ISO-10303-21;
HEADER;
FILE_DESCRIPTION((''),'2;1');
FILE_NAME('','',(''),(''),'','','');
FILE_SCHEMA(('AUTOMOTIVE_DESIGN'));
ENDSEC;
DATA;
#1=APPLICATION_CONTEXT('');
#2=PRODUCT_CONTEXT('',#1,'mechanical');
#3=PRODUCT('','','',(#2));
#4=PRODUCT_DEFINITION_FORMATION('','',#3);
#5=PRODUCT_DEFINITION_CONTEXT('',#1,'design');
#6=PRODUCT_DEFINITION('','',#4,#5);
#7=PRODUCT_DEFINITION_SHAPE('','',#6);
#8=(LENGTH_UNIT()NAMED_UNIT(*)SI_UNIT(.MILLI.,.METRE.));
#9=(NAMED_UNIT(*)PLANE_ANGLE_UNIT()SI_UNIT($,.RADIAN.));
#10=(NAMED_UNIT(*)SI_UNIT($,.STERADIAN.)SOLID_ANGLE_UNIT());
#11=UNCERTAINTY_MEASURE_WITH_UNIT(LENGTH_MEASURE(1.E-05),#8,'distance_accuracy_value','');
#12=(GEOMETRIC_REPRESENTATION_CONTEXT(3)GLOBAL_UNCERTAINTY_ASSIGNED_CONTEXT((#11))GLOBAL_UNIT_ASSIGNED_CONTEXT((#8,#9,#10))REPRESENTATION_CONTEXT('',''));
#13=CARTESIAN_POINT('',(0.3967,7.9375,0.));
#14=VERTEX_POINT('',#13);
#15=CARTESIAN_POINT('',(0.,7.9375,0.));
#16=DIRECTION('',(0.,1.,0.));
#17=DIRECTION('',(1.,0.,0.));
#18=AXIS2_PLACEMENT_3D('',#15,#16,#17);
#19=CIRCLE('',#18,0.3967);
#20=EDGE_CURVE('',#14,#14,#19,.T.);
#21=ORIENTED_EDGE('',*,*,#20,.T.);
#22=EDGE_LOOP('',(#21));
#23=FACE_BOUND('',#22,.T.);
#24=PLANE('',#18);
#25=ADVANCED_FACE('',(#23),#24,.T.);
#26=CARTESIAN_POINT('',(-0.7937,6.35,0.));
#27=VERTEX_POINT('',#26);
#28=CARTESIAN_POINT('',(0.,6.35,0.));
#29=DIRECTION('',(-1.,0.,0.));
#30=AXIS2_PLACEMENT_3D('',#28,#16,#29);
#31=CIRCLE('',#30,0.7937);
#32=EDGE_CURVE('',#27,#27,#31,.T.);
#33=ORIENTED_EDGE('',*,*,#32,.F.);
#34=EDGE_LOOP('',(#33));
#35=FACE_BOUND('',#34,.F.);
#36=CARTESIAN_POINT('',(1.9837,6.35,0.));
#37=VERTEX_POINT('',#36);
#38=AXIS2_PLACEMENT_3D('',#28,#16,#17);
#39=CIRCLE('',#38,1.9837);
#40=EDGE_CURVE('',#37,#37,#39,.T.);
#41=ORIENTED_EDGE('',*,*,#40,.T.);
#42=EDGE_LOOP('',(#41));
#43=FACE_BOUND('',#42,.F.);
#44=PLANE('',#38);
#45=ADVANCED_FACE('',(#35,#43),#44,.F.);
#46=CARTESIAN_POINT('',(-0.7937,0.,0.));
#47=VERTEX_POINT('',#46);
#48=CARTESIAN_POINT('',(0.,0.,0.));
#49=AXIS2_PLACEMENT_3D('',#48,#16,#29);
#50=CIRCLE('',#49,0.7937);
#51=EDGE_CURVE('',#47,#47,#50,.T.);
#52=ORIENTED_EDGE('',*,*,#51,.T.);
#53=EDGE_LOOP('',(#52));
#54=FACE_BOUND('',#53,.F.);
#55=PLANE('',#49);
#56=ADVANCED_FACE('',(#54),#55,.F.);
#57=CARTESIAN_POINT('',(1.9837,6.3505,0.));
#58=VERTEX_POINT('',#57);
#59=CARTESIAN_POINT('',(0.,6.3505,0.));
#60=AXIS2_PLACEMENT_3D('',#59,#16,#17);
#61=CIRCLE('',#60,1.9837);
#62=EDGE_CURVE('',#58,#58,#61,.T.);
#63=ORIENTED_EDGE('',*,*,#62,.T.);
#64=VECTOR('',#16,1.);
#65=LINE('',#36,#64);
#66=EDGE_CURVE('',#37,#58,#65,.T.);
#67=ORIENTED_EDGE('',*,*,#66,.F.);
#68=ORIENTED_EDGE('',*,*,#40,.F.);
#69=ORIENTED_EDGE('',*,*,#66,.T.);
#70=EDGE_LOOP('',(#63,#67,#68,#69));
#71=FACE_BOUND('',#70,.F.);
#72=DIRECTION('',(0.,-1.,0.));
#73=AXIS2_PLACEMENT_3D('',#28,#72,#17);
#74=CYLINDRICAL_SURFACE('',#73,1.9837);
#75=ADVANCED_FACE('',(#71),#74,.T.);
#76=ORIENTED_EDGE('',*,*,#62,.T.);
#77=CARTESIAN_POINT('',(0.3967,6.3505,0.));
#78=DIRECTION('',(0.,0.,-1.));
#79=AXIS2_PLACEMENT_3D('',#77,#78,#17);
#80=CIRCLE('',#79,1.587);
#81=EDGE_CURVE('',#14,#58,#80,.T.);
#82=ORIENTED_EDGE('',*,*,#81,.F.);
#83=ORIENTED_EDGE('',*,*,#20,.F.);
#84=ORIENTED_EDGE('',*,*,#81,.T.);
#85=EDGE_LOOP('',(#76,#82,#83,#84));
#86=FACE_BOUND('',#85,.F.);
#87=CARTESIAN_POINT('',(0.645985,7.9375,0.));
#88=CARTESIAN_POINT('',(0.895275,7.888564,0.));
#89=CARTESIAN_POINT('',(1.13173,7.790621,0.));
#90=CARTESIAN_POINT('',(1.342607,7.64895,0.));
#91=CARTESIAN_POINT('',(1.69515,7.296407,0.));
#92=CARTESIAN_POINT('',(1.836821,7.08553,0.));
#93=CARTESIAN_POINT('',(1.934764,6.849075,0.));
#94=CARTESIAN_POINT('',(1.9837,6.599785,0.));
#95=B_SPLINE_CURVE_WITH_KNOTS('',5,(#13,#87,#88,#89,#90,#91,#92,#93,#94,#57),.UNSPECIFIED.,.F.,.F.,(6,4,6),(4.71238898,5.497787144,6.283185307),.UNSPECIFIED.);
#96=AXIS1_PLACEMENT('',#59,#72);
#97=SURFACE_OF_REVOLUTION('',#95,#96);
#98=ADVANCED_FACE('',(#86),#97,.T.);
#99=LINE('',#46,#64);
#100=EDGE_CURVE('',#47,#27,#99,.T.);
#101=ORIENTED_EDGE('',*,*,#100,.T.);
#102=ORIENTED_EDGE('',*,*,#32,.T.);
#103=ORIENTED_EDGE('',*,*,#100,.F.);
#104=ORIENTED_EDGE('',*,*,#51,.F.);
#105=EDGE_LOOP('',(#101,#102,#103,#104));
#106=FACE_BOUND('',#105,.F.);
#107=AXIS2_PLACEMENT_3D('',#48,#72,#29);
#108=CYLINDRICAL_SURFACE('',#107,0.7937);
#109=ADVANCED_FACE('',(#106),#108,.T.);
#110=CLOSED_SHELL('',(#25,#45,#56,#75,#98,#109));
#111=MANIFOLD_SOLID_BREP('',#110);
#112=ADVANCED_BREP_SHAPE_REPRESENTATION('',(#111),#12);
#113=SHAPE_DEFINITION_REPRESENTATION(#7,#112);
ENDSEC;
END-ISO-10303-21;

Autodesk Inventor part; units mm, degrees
ref_plane "YZ Plane" through (0, 0, 0) normal (1, 0, 0) x (0, 1, 0)
ref_plane "XZ Plane" through (0, 0, 0) normal (0, 1, 0) x (-1, 0, 0)
ref_plane "XY Plane" through (0, 0, 0) normal (0, 0, 1) x (1, 0, 0)
sketch "Sketch1" plane through (0, 0, 0) normal (0, 1, 0) x (-1, 0, 0)
  circle A0 centre (0, 0) radius 0.7937
  dimension "d0" = 1.5875
extrude "Extrusion1" add sketch "Sketch1" along normal blind 6.35
sketch "Sketch2" plane through (0, 6.35, 0) normal (0, 1, 0) x (1, 0, 0)
  circle A0 centre (0, 0) radius 0.7937 projected
  circle A1 centre (0, 0) radius 1.9837
  dimension "d3" = 3.9675
extrude "Extrusion2" add sketch "Sketch2" along normal blind 1.5875
sketch "Sketch3" plane through (0, 6.35, 0) normal (0, 1, 0) x (1, 0, 0)
  circle A0 centre (0, 0) radius 0.7937
extrude "Extrusion3" add sketch "Sketch3" along normal blind 1.5875
fillet "Fillet1" radius 1.5875 1 edges at (-1.9837, 7.9375, 0)
properties part number "linkage peg"
